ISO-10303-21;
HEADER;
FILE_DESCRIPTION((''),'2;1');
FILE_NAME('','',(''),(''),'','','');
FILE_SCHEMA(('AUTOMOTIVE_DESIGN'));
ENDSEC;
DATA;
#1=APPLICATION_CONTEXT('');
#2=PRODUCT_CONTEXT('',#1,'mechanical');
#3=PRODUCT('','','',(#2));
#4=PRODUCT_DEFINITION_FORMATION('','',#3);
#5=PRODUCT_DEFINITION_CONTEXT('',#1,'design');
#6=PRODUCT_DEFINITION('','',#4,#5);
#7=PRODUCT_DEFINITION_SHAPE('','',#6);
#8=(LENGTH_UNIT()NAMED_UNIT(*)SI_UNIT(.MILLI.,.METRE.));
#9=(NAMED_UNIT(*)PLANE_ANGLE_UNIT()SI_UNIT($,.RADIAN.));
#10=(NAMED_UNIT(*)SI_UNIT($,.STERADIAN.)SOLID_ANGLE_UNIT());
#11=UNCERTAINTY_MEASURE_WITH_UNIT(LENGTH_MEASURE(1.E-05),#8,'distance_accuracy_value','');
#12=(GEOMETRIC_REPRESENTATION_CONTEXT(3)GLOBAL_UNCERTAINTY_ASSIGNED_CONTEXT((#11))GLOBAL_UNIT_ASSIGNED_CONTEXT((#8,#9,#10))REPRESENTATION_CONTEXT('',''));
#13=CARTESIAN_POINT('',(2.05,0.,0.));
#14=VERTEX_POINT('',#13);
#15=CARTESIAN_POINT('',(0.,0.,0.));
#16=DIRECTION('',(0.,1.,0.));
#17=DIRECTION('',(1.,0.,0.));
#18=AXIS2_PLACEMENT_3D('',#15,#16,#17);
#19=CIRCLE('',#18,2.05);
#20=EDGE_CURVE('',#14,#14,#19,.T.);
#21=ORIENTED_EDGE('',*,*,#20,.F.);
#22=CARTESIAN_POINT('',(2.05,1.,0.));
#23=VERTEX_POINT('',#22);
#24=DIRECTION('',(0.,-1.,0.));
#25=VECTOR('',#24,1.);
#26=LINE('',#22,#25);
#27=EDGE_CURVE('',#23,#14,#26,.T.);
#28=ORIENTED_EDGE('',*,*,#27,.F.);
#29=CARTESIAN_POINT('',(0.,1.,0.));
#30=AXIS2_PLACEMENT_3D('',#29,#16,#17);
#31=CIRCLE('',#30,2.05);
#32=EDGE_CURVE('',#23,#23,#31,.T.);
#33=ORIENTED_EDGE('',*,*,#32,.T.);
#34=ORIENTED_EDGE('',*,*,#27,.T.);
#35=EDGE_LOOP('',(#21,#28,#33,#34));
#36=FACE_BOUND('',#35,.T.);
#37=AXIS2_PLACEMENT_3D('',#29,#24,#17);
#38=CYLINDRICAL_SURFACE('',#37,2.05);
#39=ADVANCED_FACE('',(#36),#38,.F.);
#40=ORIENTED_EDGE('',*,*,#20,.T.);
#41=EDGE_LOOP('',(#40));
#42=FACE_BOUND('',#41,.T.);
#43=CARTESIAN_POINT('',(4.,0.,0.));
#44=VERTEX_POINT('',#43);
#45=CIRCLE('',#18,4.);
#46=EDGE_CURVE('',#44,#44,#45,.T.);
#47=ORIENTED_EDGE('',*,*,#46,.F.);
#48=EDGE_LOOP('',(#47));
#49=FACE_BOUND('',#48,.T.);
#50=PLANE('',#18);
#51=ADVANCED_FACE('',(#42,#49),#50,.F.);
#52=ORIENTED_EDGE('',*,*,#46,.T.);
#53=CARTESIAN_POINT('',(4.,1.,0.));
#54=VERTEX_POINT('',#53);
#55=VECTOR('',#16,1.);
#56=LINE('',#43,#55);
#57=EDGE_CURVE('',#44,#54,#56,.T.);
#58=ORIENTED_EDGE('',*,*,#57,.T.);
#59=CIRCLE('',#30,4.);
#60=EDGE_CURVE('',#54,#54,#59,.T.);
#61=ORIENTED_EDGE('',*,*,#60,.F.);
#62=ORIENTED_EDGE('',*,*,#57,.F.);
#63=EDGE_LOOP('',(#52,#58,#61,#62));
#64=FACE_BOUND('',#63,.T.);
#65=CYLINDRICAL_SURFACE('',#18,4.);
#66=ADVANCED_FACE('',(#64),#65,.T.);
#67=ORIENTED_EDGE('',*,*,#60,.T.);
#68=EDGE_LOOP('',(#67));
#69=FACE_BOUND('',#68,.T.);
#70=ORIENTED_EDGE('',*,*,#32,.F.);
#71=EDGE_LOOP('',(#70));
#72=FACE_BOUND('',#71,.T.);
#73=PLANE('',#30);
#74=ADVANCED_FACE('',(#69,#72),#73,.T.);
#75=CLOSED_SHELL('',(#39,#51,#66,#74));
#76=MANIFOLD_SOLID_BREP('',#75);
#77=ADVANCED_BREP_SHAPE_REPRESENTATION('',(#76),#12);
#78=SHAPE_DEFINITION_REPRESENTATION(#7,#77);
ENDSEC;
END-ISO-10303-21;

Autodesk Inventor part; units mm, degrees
ref_plane "YZ Plane" through (0, 0, 0) normal (1, 0, 0) x (0, 1, 0)
ref_plane "XZ Plane" through (0, 0, 0) normal (0, 1, 0) x (-1, 0, 0)
ref_plane "XY Plane" through (0, 0, 0) normal (0, 0, 1) x (1, 0, 0)
sketch "Sketch1" plane through (0, 0, 0) normal (0, 0, 1) x (1, 0, 0)
  line L0 (4, 0) -> (4, 1)
  line L1 (4, 1) -> (2.05, 1)
  line L2 (2.05, 1) -> (2.05, 0)
  line L3 (0, 0) -> (0, 8.8913)
  line L4 (2.05, 0) -> (4, 0)
  dimension "d2" = 1
  dimension "d3" = 4.1
  dimension "d4" = 8
revolve "Revolution1" add sketch "Sketch1" angle 360 about axis through (0, 0, 0) along (0, 1, 0)
equation "\"d2\" = t1"
equation "\"d3\" = id"
equation "\"d4\" = od_a"
equation "\"od_a\" = 8"
equation "\"t1\" = 1"
equation "\"id\" = 4.1"
properties part number "Ceramic washer M4 v1" material "Silicon Nitride"
